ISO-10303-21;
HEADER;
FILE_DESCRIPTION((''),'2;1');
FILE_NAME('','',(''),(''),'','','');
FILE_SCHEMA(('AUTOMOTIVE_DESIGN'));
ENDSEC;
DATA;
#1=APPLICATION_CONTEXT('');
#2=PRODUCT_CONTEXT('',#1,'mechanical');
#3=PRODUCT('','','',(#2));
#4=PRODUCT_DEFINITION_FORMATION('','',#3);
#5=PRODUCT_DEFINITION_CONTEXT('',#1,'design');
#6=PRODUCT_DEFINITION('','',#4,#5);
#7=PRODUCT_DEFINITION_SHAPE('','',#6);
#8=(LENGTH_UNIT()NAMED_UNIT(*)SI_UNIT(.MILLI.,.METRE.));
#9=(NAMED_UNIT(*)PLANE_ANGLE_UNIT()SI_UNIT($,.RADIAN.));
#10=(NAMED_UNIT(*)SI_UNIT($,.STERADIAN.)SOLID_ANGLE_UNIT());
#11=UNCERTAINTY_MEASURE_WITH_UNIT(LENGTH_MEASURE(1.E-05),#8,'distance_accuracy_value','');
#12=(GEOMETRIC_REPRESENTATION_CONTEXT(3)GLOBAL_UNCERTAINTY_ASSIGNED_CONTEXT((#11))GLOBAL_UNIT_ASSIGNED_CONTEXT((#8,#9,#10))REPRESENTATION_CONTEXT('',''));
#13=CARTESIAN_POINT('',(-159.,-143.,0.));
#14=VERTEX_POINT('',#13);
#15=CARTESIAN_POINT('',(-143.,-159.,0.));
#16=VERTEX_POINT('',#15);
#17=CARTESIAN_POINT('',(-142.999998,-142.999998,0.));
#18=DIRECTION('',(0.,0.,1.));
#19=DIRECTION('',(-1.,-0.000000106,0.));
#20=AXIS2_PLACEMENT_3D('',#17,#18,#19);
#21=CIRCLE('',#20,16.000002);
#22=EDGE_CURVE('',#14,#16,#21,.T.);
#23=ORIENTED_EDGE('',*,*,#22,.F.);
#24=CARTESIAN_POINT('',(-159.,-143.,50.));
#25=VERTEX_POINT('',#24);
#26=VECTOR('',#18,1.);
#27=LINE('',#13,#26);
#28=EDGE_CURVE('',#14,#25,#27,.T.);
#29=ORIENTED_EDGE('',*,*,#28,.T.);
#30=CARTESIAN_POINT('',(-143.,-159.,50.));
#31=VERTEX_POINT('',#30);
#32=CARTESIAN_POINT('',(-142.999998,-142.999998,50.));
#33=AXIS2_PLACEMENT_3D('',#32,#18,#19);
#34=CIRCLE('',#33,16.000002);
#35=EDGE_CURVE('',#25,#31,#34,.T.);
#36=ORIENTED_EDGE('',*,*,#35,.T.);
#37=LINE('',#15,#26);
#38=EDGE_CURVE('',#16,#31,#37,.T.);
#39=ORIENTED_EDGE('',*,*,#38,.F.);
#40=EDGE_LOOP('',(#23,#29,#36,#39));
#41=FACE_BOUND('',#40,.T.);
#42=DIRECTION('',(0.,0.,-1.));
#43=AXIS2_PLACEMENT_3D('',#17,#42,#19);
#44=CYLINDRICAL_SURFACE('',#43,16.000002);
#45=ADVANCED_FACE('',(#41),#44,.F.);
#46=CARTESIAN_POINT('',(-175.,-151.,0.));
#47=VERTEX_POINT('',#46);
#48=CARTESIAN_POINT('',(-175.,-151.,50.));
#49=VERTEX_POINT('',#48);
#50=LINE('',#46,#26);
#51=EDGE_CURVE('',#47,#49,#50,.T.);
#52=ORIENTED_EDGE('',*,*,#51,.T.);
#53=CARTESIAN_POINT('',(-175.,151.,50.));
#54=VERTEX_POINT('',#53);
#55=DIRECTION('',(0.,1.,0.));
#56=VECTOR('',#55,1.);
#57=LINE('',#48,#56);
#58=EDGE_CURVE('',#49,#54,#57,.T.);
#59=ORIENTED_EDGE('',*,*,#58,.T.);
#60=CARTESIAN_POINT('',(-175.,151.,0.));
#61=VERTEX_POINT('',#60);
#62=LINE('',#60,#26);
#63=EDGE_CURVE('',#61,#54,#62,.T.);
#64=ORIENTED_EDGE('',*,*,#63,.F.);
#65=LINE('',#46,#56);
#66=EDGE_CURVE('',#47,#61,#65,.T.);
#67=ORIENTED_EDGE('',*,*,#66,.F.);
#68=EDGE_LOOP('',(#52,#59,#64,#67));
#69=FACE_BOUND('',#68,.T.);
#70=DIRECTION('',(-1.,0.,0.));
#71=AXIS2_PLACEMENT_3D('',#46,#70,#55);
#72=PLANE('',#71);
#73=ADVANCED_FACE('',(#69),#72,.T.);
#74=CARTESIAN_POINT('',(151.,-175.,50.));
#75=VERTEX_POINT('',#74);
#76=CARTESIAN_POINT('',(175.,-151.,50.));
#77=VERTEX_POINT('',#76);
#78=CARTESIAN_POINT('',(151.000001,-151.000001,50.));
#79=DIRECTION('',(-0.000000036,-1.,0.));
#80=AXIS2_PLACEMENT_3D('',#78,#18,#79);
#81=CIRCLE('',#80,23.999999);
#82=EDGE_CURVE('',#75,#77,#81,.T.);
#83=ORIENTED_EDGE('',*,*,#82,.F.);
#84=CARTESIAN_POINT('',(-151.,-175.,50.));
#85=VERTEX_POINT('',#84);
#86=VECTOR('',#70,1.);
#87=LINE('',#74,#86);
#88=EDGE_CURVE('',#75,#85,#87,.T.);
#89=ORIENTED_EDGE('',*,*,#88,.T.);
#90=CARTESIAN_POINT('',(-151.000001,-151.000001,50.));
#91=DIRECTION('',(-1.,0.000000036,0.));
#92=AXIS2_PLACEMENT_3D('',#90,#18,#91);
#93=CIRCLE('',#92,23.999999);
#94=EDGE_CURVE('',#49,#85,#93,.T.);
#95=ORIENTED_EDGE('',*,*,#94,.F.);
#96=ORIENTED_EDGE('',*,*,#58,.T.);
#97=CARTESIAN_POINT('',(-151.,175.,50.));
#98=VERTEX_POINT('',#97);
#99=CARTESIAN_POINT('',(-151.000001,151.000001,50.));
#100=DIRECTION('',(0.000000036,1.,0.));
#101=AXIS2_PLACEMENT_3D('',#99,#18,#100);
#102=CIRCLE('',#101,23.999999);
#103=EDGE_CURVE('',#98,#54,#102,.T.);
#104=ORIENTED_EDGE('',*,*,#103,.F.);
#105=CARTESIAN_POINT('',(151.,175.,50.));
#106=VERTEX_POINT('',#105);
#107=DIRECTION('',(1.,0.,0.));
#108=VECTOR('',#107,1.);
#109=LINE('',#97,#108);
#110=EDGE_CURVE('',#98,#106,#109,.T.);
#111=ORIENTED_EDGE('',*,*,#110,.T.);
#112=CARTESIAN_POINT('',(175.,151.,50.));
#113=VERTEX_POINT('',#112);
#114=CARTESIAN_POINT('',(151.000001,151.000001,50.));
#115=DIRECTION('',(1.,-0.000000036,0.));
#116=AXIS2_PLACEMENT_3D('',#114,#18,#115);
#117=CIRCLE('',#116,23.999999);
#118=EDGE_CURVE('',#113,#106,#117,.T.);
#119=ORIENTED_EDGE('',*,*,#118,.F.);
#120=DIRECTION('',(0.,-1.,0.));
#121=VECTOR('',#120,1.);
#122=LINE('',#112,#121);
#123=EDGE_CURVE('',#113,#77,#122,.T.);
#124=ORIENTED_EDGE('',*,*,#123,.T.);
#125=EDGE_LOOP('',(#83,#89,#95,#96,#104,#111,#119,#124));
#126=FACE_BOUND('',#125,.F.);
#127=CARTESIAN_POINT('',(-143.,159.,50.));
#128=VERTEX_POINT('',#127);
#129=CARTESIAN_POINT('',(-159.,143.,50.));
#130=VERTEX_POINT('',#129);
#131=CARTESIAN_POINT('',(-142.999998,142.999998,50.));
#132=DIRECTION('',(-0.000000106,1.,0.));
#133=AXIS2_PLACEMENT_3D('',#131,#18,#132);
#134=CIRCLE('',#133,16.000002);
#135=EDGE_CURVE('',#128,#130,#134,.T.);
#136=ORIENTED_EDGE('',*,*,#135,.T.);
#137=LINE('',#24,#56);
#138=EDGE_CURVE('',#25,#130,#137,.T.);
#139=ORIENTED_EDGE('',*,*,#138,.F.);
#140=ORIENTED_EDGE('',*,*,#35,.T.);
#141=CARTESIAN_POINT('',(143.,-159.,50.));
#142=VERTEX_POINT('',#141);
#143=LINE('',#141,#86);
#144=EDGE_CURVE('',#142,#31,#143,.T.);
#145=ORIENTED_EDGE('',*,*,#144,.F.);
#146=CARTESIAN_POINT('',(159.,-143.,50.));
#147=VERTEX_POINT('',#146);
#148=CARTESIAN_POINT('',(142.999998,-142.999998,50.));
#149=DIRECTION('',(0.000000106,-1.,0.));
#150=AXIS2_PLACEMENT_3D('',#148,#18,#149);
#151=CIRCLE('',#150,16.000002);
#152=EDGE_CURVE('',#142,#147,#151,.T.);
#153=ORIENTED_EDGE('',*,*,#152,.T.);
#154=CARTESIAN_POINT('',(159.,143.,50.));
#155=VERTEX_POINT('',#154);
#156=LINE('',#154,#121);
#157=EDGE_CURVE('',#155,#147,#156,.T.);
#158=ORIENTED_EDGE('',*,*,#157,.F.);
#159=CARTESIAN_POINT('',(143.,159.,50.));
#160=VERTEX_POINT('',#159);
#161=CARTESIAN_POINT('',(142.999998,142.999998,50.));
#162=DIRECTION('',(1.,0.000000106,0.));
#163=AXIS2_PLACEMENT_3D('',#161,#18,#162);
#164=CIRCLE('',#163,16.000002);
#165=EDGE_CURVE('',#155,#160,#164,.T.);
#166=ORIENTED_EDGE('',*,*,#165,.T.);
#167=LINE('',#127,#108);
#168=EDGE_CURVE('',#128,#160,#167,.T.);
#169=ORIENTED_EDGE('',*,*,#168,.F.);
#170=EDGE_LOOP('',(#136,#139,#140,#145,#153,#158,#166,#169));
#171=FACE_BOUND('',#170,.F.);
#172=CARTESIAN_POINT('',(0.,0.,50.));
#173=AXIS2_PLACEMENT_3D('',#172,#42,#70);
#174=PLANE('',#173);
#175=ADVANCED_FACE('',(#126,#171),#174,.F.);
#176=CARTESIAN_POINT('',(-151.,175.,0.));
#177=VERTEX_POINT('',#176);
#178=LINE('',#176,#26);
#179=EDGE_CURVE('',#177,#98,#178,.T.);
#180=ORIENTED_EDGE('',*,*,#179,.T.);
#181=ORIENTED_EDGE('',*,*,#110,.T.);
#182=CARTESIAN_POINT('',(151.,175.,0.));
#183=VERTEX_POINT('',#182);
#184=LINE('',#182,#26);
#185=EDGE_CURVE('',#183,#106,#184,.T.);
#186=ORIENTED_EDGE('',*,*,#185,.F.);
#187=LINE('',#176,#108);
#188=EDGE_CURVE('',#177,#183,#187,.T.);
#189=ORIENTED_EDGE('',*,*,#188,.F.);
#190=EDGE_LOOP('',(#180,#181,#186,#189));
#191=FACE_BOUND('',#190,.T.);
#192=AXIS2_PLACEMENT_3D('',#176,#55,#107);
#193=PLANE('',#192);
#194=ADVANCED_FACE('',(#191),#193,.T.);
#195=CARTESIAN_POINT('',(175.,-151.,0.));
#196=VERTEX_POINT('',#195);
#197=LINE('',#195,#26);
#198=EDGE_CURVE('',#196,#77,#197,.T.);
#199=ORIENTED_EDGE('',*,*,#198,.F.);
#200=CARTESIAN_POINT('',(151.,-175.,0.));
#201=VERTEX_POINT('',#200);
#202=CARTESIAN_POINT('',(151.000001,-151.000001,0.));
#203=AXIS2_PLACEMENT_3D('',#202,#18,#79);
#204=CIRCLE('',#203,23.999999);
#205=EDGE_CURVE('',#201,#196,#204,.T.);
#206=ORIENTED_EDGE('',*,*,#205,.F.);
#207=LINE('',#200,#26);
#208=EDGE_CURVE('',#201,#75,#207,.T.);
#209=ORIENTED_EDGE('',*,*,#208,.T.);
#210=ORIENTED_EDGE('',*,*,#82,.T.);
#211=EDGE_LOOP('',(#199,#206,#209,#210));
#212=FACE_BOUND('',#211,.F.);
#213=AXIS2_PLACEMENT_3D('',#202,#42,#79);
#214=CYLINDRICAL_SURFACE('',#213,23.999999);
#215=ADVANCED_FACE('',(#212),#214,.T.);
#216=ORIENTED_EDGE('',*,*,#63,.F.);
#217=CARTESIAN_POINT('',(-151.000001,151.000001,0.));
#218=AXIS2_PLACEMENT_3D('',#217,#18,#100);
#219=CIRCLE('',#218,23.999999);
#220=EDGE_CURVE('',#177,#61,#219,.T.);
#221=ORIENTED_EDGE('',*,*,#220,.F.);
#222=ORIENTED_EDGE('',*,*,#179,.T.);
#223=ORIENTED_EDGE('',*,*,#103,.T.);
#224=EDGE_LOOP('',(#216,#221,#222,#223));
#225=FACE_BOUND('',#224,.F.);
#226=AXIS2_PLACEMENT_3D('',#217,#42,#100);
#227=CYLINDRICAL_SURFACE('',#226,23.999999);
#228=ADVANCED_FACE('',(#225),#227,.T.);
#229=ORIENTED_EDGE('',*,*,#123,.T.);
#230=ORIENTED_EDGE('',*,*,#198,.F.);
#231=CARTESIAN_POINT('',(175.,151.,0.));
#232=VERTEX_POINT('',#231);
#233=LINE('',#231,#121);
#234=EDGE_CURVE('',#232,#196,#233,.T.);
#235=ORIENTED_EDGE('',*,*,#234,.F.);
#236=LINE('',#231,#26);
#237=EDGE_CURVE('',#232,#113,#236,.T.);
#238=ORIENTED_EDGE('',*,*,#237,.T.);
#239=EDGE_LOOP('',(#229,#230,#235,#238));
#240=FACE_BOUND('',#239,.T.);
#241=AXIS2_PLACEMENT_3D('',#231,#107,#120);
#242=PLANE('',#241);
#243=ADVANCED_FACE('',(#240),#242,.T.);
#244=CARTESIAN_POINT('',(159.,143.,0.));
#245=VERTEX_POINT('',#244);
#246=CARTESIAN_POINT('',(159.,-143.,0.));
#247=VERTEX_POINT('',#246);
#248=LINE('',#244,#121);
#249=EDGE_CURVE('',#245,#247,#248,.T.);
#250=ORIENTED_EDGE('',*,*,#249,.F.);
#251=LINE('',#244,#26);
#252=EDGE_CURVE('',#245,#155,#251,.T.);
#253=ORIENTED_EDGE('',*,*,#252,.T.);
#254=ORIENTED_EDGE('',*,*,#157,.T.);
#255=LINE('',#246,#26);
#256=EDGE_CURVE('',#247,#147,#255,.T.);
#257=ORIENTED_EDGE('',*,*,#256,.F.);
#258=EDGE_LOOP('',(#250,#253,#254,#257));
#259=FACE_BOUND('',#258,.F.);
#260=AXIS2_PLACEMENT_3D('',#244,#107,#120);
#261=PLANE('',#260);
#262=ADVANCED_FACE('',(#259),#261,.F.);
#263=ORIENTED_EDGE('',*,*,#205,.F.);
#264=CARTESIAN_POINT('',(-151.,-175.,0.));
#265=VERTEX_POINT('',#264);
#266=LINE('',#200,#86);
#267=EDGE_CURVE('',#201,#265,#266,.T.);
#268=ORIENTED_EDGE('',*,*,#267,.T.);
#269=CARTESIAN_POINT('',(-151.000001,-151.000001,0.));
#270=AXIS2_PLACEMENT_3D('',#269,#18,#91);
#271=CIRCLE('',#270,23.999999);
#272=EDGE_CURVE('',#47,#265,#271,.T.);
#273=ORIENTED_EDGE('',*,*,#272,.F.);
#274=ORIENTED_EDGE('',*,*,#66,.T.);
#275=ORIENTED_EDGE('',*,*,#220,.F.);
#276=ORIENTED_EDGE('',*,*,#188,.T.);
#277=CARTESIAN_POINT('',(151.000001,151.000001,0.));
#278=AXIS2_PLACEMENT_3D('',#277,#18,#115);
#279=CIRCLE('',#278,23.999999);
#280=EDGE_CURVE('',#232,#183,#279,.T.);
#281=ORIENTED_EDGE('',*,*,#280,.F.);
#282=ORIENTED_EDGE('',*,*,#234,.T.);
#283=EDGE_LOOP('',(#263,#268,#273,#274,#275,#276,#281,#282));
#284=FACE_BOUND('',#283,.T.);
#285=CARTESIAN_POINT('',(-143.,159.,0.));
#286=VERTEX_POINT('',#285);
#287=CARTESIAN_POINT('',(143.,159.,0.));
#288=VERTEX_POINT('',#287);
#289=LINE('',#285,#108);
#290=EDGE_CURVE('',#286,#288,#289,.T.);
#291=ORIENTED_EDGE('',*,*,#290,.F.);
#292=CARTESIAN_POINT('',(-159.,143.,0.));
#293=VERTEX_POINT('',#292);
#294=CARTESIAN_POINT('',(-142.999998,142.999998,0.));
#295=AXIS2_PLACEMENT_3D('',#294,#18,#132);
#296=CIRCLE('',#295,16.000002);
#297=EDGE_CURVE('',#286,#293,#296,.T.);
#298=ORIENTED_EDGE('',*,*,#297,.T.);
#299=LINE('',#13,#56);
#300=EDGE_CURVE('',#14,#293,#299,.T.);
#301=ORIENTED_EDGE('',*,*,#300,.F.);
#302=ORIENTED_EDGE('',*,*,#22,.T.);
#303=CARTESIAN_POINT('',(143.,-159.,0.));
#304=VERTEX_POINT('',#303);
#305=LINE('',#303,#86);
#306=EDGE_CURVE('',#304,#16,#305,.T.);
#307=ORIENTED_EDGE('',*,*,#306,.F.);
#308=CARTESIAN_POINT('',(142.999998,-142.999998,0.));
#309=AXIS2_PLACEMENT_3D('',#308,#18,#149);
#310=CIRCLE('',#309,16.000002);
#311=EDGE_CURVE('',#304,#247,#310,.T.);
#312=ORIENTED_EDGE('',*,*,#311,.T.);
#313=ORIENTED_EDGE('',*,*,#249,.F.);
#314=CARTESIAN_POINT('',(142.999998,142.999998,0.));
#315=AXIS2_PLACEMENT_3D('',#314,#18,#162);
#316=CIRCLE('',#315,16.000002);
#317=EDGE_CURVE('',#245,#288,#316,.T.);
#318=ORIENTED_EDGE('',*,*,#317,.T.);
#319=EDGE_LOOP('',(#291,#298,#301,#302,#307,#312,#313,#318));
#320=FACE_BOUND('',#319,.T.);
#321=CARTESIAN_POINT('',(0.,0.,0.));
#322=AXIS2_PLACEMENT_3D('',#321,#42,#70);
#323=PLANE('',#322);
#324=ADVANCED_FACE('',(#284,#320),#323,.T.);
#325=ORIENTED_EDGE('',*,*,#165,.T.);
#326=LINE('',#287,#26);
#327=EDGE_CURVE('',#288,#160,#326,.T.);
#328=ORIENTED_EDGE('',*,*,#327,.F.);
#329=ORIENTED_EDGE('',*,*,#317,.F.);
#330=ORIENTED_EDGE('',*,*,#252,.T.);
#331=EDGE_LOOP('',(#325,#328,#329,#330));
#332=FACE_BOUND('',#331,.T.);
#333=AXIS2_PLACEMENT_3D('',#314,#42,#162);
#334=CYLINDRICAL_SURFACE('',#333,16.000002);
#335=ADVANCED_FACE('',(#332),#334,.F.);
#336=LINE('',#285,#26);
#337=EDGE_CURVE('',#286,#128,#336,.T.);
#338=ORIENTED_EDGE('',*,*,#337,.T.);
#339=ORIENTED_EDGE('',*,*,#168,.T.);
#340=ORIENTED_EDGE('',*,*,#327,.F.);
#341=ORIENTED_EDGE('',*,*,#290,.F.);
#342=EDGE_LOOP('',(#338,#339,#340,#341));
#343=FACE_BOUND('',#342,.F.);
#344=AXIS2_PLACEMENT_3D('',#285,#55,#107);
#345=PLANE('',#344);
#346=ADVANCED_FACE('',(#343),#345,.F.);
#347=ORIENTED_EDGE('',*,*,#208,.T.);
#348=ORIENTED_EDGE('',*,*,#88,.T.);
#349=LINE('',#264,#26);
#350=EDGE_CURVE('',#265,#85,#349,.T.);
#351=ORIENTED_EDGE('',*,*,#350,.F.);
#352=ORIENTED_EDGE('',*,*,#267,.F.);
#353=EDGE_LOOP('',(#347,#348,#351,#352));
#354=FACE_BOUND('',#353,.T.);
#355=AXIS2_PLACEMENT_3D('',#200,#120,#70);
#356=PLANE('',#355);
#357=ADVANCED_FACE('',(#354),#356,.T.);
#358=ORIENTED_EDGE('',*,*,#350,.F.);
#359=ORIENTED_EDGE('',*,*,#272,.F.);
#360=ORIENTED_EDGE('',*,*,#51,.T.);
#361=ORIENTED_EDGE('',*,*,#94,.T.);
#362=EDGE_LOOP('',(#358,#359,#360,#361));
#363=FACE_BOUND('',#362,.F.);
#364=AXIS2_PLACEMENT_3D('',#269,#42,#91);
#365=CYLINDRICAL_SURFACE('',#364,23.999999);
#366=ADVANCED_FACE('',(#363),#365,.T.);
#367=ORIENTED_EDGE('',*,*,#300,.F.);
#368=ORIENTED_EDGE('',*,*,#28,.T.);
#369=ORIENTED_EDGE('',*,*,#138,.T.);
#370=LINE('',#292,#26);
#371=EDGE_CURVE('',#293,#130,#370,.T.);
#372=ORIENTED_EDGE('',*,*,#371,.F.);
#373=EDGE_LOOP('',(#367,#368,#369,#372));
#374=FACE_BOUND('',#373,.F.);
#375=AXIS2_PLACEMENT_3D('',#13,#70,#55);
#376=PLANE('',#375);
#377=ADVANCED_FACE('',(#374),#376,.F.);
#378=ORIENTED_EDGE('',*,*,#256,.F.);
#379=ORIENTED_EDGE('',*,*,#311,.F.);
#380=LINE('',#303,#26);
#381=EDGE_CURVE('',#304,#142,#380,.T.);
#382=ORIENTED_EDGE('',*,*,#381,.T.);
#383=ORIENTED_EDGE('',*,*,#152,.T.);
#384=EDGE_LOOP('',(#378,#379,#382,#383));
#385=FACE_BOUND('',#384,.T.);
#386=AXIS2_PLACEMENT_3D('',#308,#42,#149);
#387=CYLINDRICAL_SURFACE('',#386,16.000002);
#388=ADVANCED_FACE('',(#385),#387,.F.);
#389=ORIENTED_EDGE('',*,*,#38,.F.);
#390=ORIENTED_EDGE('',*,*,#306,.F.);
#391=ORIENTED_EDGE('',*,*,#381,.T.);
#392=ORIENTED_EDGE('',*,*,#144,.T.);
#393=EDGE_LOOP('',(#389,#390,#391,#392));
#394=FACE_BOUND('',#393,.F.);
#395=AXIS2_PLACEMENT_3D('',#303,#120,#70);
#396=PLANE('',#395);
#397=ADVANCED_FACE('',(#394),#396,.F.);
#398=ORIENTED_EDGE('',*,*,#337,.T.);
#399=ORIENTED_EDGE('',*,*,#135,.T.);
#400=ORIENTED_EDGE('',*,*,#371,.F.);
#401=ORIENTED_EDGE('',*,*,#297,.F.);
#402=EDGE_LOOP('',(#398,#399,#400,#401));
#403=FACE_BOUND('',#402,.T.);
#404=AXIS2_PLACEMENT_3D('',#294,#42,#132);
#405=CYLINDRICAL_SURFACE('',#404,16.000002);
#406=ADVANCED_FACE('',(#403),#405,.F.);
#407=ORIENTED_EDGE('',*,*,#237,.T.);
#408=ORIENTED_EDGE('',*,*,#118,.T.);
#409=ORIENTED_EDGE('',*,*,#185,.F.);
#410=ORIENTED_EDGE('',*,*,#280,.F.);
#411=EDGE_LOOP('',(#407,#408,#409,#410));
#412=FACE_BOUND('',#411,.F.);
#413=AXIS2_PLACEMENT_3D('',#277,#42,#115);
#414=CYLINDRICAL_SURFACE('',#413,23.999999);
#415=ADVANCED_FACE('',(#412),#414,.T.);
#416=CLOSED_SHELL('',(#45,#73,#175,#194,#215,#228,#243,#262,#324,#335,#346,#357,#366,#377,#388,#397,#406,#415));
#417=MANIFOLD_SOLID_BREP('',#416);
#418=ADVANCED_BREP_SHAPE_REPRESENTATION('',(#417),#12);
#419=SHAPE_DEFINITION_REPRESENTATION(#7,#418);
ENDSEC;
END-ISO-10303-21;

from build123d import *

# Parameters (mm, degrees)
EXTRUDE_DEPTH = 50


with BuildPart() as part:
    # Sketch → Extrude (new body)
    with BuildSketch(Plane.XY):
        with BuildLine():
            Line((-151, 175), (151, 175))
            ThreePointArc((175, 151), (167.970563, 167.970563), (151, 175))
            Line((175, 151), (175, -151))
            ThreePointArc((151, -175), (167.970563, -167.970563), (175, -151))
            Line((151, -175), (-151, -175))
            ThreePointArc((-175, -151), (-167.970563, -167.970563), (-151, -175))
            Line((-175, -151), (-175, 151))
            ThreePointArc((-151, 175), (-167.970563, 167.970563), (-175, 151))
        make_face()
        with BuildLine():
            Line((-143, 159), (143, 159))
            ThreePointArc((159, 143), (154.313708, 154.313708), (143, 159))
            Line((159, 143), (159, -143))
            ThreePointArc((143, -159), (154.313708, -154.313708), (159, -143))
            Line((143, -159), (-143, -159))
            ThreePointArc((-159, -143), (-154.313708, -154.313708), (-143, -159))
            Line((-159, -143), (-159, 143))
            ThreePointArc((-143, 159), (-154.313708, 154.313708), (-159, 143))
        make_face(mode=Mode.SUBTRACT)
    extrude(amount=EXTRUDE_DEPTH)


solid = part.part
